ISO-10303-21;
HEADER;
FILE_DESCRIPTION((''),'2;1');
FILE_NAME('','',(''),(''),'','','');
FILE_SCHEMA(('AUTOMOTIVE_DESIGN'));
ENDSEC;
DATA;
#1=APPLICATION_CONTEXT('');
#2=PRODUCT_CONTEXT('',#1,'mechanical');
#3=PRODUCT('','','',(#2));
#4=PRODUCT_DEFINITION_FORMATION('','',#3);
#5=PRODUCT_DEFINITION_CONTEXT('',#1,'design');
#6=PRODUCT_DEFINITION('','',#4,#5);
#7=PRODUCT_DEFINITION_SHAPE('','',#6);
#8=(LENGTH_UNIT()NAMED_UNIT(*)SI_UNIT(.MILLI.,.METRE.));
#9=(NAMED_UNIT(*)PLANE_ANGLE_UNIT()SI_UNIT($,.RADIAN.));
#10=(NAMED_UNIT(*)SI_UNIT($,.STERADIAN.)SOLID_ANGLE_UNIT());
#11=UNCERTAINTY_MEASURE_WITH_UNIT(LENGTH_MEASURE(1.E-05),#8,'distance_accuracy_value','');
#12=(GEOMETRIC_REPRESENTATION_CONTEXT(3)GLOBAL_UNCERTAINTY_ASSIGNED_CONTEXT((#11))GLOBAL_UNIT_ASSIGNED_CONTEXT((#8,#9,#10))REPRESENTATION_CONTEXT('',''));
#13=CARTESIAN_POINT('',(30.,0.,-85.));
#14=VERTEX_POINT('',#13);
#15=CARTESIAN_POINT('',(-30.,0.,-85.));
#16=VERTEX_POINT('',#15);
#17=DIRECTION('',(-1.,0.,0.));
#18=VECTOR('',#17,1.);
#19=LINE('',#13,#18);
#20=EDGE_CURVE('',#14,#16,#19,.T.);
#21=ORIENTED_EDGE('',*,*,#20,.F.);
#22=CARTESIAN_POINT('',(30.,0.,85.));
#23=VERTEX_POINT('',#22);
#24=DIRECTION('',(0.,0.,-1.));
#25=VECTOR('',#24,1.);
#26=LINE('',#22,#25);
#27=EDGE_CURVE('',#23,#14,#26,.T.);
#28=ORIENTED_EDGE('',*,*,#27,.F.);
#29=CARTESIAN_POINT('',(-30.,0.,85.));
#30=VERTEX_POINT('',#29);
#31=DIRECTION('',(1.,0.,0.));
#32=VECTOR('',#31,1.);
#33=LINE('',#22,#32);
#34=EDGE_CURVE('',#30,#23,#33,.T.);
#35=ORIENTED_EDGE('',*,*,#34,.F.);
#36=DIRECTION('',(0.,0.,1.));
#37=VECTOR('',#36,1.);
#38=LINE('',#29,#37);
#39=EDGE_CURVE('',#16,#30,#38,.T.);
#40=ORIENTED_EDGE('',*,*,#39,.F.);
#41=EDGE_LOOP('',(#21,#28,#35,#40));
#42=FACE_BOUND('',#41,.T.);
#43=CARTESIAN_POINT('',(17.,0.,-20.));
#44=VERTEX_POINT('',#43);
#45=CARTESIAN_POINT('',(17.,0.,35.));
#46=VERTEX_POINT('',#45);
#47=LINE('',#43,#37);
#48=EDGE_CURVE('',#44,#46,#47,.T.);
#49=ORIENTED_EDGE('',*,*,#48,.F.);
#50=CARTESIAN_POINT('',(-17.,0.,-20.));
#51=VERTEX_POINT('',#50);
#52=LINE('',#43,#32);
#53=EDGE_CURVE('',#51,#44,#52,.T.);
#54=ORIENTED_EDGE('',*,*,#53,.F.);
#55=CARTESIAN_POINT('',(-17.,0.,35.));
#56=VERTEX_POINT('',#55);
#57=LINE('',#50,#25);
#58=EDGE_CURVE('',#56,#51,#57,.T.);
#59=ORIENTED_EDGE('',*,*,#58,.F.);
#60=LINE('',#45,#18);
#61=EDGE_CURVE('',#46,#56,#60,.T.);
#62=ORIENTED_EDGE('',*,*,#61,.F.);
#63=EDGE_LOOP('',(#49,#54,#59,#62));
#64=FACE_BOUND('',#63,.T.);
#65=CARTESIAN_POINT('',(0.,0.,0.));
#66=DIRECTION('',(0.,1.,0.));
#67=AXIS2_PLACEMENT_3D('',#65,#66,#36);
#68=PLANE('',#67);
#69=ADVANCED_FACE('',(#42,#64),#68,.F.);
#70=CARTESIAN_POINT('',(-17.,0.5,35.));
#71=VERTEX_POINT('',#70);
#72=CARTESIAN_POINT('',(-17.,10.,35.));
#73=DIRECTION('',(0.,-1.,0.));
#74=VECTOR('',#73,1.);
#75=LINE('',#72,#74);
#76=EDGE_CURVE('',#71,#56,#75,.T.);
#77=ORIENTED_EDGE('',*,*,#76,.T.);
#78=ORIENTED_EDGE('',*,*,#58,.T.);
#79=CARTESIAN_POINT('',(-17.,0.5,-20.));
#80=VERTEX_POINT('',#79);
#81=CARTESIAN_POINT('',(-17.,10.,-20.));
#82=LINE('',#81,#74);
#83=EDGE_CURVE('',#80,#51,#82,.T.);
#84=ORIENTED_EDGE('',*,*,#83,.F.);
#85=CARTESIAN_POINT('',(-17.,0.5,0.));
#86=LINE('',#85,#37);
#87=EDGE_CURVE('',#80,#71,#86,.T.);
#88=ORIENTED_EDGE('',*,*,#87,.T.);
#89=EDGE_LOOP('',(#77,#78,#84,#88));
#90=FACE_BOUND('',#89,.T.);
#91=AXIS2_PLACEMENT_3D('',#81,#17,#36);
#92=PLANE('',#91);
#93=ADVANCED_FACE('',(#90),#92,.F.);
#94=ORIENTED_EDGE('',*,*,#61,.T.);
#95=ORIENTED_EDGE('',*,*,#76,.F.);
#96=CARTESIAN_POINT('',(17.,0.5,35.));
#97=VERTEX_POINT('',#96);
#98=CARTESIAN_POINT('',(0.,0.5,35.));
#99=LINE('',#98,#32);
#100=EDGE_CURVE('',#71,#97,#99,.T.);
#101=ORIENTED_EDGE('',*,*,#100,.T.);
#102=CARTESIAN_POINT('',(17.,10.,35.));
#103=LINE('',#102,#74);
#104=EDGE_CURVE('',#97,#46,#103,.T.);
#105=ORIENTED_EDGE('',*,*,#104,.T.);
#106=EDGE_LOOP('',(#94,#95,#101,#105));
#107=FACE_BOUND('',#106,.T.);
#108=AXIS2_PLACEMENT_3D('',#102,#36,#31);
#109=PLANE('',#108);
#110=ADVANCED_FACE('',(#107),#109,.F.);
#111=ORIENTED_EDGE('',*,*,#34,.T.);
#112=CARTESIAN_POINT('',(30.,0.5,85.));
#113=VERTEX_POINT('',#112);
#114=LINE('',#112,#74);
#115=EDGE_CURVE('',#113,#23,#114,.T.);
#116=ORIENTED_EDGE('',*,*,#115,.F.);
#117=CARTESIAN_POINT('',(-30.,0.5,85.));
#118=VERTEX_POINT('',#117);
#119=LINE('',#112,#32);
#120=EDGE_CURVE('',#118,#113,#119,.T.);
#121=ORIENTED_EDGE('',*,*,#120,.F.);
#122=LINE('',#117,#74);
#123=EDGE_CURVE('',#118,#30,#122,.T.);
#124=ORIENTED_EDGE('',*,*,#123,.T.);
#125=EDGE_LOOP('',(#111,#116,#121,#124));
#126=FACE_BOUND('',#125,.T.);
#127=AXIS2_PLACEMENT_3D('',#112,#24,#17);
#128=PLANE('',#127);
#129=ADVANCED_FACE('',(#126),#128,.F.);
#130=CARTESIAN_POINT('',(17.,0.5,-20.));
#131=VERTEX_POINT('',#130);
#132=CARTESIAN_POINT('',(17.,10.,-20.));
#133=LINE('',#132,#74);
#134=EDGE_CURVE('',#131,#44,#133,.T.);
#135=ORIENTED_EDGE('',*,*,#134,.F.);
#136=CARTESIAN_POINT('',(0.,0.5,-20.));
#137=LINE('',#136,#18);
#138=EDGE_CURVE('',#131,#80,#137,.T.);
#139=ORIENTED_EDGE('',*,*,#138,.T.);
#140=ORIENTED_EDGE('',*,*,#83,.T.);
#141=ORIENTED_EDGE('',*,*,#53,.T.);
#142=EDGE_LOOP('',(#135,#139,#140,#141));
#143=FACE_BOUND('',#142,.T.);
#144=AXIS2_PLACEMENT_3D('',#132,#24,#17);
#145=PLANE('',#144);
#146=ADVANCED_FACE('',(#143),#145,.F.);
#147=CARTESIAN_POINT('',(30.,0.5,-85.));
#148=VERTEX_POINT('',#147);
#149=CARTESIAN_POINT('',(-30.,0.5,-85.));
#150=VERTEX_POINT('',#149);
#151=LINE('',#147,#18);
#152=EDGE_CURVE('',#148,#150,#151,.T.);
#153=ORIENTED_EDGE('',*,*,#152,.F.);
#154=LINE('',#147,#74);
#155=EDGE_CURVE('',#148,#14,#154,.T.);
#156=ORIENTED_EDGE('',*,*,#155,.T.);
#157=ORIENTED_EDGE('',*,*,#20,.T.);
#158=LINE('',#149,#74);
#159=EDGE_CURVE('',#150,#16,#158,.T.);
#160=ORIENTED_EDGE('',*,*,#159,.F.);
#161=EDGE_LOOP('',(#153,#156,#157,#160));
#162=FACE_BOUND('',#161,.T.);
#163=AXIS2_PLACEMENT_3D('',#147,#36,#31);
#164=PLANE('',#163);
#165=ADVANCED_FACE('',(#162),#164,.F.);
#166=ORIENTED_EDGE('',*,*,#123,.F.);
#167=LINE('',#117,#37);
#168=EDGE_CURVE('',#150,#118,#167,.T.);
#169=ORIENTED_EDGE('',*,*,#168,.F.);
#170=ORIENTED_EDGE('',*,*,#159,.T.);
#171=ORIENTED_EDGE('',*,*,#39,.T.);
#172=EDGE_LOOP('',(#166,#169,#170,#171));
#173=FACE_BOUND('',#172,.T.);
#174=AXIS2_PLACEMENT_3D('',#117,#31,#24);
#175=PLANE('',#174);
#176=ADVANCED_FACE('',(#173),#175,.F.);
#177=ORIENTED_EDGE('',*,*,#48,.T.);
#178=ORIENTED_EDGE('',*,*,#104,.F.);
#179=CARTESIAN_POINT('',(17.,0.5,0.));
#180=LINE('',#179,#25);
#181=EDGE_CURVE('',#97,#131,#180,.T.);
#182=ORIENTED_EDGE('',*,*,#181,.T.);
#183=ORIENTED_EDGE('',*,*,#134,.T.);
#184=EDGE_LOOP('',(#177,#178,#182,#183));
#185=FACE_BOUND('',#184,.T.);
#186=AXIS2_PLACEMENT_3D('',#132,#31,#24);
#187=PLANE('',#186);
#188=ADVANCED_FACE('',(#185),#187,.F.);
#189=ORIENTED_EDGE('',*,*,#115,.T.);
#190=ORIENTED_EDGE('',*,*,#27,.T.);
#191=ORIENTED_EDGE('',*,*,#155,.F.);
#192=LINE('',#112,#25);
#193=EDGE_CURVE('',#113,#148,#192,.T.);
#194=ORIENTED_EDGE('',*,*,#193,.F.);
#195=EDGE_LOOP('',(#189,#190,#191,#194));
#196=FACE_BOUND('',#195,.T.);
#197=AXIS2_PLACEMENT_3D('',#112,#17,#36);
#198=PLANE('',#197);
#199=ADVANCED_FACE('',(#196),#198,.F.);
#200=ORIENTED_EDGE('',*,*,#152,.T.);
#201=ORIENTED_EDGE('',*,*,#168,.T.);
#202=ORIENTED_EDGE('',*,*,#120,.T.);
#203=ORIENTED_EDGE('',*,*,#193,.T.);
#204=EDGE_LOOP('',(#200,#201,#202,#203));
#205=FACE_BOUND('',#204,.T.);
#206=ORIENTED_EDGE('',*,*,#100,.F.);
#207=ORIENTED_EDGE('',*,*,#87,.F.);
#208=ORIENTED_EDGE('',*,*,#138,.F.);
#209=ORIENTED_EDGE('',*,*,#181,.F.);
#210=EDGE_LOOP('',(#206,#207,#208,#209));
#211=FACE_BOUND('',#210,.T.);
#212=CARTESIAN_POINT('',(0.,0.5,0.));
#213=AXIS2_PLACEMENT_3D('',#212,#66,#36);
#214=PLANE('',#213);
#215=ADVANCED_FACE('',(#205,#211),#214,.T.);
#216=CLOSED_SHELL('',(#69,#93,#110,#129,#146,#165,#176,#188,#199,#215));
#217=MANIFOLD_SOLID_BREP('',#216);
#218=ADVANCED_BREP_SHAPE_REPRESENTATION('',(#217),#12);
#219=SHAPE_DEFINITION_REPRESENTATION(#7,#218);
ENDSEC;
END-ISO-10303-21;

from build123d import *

# Parameters (mm, degrees)
SKETCH1_W           = 60
SKETCH1_H           = 170
BOSS_EXTRUDE1_DEPTH = 0.5
SKETCH2_W           = 34
SKETCH2_H           = 55
CUT_EXTRUDE1_DEPTH  = 10


with BuildPart() as part:
    # Sketch1 → Boss-Extrude1 (new body)
    with BuildSketch(Plane(origin=(0, 0, 0), x_dir=(1, 0, 0), z_dir=(0, 1, 0))):
        Rectangle(SKETCH1_W, SKETCH1_H)
    extrude(amount=BOSS_EXTRUDE1_DEPTH)

    # Sketch2 → Cut-Extrude1 (cut)
    with BuildSketch(Plane.XZ):
        with Locations((0, 7.5)):
            Rectangle(SKETCH2_W, SKETCH2_H)
    extrude(amount=-CUT_EXTRUDE1_DEPTH, mode=Mode.SUBTRACT)


solid = part.part
